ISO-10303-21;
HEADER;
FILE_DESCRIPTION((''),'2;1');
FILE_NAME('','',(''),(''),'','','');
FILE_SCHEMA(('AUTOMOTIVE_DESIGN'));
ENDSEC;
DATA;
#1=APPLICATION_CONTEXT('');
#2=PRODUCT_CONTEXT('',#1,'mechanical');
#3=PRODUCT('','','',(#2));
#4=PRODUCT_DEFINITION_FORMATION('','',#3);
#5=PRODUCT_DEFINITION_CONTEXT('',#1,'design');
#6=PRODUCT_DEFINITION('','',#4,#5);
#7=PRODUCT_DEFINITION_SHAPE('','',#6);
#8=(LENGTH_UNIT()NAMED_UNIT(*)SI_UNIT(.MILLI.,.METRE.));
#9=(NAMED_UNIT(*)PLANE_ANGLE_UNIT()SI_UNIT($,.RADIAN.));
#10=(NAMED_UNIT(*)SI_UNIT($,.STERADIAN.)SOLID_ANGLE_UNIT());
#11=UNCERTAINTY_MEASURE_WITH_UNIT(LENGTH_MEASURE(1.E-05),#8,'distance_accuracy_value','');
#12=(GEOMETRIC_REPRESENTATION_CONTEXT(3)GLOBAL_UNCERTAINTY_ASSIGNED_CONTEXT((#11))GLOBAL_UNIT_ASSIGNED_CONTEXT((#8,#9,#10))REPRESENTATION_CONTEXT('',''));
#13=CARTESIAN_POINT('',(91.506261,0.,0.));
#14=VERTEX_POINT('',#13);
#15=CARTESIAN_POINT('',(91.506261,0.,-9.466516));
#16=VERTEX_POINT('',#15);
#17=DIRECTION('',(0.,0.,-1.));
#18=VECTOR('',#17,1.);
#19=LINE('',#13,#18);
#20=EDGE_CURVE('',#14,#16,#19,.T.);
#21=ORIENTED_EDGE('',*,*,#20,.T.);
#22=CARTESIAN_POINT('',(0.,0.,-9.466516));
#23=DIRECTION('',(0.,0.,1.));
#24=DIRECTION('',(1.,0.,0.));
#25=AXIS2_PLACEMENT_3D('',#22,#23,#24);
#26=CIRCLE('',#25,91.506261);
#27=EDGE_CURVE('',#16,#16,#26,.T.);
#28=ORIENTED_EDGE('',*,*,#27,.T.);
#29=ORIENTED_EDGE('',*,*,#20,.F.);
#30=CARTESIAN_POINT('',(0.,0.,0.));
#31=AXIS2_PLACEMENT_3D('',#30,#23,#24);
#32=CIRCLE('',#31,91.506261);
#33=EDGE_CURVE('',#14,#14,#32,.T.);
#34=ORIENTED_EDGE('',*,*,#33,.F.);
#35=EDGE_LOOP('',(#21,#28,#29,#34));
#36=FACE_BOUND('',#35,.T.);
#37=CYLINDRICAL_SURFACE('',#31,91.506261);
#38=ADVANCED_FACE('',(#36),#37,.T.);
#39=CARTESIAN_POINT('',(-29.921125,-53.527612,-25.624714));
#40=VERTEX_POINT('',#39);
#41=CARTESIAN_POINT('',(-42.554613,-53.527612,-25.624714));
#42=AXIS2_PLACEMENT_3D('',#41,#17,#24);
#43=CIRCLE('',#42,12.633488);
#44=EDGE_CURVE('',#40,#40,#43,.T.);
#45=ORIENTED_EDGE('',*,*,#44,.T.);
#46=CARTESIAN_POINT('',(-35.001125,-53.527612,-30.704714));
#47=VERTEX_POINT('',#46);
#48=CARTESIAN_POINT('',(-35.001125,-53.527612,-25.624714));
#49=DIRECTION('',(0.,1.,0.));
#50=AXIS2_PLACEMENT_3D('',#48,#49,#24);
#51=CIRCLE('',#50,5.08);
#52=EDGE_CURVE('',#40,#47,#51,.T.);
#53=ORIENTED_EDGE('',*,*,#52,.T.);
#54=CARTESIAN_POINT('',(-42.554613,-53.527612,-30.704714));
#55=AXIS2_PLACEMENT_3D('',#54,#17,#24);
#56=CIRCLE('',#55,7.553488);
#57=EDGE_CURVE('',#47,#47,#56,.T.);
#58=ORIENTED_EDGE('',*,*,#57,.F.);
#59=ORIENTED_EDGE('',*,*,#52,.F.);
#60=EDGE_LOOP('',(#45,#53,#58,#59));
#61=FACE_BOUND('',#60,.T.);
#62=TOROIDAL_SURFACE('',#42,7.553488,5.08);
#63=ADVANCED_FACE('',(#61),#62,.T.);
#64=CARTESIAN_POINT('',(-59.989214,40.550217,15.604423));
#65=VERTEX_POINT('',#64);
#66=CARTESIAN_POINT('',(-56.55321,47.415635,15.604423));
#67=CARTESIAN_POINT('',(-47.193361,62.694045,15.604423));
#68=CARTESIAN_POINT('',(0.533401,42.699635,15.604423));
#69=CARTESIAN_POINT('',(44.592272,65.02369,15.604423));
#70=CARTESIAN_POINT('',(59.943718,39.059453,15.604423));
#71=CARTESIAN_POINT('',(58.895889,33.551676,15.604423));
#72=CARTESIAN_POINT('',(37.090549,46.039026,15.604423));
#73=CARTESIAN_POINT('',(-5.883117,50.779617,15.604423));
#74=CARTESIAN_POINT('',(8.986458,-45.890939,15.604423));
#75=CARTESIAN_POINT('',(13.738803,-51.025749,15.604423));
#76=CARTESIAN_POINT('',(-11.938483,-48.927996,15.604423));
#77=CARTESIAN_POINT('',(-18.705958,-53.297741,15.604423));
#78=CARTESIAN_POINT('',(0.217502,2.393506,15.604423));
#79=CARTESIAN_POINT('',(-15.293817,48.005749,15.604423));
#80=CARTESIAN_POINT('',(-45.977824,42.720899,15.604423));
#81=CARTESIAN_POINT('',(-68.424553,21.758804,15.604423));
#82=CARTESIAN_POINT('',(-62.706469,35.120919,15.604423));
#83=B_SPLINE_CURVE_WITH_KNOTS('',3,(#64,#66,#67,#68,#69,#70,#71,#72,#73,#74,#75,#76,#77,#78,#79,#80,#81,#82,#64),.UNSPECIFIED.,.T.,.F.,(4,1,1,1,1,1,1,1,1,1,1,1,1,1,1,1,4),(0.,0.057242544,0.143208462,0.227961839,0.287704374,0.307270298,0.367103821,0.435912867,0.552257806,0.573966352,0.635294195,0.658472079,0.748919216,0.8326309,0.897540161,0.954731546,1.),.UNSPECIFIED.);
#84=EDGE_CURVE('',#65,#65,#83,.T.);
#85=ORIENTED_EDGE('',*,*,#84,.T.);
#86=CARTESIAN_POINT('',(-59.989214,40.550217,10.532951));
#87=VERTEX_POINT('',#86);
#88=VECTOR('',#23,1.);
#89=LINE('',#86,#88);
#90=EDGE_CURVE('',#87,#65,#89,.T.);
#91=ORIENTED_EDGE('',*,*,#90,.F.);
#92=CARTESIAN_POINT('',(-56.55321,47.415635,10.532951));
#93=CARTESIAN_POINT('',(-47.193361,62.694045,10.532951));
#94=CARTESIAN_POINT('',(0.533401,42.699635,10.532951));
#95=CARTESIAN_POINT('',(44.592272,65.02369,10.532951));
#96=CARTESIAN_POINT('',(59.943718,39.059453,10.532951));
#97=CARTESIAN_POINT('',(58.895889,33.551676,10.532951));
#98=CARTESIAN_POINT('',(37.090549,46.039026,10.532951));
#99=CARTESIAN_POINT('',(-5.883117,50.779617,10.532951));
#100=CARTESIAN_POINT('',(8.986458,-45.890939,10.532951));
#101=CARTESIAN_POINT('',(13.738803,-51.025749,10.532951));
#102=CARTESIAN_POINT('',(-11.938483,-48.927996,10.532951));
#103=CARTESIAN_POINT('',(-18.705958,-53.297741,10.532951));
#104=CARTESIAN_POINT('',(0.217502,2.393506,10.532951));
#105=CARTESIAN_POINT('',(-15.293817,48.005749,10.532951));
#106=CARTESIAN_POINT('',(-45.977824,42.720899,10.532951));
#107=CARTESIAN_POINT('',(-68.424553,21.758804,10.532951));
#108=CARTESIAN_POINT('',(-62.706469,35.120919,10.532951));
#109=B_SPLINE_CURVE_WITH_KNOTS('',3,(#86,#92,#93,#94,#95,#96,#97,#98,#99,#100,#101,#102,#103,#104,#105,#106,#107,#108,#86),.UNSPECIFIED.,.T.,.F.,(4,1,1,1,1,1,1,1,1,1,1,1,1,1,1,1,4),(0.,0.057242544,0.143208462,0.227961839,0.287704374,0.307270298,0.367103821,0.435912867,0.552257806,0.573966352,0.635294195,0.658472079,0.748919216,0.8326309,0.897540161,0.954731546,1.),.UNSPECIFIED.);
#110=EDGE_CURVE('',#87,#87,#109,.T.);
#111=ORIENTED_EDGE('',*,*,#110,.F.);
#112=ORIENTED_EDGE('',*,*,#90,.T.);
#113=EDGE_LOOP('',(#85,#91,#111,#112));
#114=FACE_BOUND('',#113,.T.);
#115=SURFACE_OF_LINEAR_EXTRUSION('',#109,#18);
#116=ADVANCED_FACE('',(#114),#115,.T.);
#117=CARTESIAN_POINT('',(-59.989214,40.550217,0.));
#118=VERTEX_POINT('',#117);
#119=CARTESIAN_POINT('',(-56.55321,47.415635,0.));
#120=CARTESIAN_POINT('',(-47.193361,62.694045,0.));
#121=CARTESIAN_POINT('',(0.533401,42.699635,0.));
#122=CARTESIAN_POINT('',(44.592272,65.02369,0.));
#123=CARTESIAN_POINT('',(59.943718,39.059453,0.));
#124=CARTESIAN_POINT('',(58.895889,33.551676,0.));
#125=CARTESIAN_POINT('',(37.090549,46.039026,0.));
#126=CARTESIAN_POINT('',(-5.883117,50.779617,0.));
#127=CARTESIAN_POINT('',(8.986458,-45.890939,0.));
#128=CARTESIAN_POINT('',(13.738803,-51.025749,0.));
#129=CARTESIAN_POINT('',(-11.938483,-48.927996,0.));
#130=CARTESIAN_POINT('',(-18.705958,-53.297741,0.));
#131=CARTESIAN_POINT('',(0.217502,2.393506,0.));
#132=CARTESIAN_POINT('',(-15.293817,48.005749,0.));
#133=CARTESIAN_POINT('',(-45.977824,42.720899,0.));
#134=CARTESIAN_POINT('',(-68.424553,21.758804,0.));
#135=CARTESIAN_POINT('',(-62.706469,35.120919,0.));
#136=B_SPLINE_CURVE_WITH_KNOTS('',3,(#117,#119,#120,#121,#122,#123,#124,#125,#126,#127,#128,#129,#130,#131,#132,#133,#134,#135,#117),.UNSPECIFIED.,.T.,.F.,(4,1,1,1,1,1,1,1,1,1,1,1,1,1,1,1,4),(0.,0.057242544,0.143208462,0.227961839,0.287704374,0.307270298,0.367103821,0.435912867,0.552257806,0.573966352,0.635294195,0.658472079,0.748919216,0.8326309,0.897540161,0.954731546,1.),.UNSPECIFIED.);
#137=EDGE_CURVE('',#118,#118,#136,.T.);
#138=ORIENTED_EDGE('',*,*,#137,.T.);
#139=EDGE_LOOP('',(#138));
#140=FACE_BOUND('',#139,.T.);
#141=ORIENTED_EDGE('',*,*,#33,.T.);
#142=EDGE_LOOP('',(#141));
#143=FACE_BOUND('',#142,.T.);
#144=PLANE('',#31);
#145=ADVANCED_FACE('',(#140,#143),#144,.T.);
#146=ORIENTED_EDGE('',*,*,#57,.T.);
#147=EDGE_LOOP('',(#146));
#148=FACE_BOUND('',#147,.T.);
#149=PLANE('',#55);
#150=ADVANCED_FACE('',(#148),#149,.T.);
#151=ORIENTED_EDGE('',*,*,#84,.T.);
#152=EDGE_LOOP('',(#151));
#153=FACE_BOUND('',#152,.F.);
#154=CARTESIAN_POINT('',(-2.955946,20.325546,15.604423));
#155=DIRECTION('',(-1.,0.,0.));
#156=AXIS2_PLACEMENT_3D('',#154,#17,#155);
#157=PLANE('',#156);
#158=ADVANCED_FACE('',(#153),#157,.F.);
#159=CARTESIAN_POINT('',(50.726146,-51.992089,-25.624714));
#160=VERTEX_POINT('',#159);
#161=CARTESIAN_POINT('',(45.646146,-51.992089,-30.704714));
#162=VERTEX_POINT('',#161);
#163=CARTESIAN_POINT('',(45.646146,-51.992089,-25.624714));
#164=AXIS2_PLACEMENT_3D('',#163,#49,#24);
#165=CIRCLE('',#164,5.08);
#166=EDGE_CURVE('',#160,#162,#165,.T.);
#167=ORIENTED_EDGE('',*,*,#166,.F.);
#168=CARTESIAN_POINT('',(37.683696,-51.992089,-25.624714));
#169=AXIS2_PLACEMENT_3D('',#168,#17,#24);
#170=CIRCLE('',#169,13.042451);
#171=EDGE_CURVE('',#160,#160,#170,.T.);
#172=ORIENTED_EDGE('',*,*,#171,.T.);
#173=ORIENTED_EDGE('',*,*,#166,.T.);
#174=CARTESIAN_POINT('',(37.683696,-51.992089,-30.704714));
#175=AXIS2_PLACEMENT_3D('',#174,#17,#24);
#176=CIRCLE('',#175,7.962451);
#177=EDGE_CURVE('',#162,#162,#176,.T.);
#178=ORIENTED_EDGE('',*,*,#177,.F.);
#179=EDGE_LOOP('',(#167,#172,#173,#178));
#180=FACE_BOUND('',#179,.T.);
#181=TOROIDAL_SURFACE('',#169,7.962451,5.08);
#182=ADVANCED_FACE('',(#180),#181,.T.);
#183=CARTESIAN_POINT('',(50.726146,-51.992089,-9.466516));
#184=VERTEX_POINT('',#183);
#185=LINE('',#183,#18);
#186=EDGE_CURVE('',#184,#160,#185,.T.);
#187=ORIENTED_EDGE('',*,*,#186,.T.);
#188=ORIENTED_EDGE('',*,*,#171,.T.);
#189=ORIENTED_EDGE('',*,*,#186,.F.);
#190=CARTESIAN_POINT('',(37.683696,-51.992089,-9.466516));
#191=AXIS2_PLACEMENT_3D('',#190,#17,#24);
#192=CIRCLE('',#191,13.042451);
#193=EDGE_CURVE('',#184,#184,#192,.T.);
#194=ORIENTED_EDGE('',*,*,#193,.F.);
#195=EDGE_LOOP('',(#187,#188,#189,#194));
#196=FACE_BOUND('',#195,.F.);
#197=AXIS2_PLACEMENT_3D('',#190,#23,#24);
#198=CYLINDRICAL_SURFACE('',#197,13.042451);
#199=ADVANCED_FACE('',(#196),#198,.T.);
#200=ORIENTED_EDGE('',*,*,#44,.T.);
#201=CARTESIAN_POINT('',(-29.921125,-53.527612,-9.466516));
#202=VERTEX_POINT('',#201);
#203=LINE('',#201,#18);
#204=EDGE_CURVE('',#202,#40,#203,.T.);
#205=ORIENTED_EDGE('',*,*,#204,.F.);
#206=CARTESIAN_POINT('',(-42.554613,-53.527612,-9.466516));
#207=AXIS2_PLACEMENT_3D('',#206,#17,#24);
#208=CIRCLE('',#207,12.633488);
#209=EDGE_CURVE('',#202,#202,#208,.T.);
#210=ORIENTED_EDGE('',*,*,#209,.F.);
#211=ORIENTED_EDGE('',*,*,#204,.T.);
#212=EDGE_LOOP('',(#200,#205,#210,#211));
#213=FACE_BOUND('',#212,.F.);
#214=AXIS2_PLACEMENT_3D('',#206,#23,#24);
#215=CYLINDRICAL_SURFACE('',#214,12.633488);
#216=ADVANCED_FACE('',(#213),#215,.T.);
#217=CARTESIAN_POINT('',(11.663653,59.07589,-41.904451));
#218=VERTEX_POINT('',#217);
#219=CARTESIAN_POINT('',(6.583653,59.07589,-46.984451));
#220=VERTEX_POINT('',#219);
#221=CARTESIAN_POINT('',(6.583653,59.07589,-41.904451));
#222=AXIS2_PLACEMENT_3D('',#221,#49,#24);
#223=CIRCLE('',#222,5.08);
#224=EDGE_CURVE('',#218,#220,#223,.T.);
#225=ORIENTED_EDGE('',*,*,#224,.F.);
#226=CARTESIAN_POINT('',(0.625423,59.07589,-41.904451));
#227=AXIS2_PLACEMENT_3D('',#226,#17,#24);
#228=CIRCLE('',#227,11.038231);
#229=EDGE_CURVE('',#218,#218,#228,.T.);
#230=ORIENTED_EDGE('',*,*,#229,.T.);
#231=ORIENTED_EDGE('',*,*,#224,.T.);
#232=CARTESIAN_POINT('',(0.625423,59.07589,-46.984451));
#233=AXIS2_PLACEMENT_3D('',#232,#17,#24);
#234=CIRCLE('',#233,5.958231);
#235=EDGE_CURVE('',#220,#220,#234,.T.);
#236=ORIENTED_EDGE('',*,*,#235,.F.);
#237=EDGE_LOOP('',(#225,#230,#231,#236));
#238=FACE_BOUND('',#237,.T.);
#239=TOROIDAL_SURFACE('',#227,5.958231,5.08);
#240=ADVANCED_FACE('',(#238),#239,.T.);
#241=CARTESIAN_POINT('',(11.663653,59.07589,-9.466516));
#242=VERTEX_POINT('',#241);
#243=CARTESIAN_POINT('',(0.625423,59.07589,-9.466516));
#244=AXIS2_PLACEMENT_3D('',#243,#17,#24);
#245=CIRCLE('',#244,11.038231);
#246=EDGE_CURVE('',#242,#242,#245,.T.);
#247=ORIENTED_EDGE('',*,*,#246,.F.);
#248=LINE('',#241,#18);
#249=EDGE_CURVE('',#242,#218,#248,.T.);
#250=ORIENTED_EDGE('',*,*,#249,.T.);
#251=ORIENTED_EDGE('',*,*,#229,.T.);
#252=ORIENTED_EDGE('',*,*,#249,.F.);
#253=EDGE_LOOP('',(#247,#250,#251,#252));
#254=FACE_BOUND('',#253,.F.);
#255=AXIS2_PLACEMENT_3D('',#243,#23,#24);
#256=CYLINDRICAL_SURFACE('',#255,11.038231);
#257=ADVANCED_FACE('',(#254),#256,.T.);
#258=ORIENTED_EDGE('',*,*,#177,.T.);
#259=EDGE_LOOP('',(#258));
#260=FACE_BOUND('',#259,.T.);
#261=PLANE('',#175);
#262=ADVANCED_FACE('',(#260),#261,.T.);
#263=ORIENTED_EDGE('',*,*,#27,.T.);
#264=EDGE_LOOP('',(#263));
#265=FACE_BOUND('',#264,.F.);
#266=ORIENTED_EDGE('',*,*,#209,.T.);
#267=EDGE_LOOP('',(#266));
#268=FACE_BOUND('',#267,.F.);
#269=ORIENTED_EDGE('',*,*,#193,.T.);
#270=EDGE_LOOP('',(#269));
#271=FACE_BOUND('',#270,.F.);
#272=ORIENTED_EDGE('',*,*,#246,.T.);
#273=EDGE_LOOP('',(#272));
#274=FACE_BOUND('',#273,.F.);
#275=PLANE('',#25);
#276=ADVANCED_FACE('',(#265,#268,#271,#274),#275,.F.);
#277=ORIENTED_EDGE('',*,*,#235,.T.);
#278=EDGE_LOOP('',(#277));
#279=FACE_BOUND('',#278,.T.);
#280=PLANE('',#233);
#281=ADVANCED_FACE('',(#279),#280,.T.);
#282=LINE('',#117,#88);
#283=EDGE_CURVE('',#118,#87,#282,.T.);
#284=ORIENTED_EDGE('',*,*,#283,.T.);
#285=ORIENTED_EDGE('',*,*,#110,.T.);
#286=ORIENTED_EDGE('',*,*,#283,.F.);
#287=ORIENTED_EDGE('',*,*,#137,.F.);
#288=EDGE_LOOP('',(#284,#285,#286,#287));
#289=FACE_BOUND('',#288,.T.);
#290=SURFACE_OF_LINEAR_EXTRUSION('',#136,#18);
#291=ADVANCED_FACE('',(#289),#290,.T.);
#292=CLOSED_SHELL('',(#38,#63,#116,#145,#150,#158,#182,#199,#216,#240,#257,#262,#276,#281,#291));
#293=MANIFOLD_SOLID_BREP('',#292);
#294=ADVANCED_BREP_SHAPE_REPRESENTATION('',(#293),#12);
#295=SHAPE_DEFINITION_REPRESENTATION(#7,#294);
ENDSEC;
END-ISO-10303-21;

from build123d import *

# Parameters (mm, degrees)
F1_DEPTH = 10.5329509825
F2_R     = 91.5062605332
F3_DEPTH = 9.466515854
F4_DEPTH = 5.0714723766
F5_R     = 11.0382307201
F6_DEPTH = 37.5179350376
F8_R     = 13.0424508939
F8_R_2   = 12.6334883402
F9_DEPTH = 21.2381985039
F10_R    = 5.08
F11_R    = 5.08


with BuildPart() as f1:
    # F0 (on Top) → F1 (new body)
    with BuildSketch(Plane.XY):
        with BuildLine():
            add(Edge.make_bspline(
                [(-59.9892139435, 40.5502170324), (-56.5532096118, 47.4156346946), (-47.1933614586, 62.6940450072), (0.5334010504, 42.6996354598), (44.5922717573, 65.0236896385), (59.9437177684, 39.0594527581), (58.8958892551, 33.5516760647), (37.0905492147, 46.0390256171), (-5.8831168013, 50.7796165912), (8.9864579341, -45.8909387515), (13.7388025572, -51.0257491648), (-11.9384832079, -48.9279963012), (-18.7059577987, -53.2977414637), (0.2175021026, 2.3935056932), (-15.2938172873, 48.005749038), (-45.9778242059, 42.7208988393), (-68.4245527845, 21.7588044935), (-62.7064691925, 35.1209188192), (-59.9892139435, 40.5502170324)],
                knots=[0, 0, 0, 0, 0.0572425443, 0.1432084624, 0.227961839, 0.2877043741, 0.3072702977, 0.3671038211, 0.4359128669, 0.5522578056, 0.5739663519, 0.6352941949, 0.6584720786, 0.7489192164, 0.8326309003, 0.8975401611, 0.954731546, 1, 1, 1, 1], degree=3))
        make_face()
    extrude(amount=F1_DEPTH)

    # F2 (on Top) → F3 (join)
    with BuildSketch(Plane.XY):
        Circle(F2_R)
    extrude(amount=-F3_DEPTH)

    # F4 (add): a face of the model
    f4_faces = [f1.faces().sort_by_distance(p)[0] for p in [
        (-3.5167832861, 18.4648036017, 10.5329509825),
    ]]
    extrude(f4_faces, amount=F4_DEPTH)

    # F5 (on face) → F6 (join)
    with BuildSketch(Plane(origin=(0, 0, -9.466515854), x_dir=(1, 0, 0), z_dir=(0, 0, -1))):
        with Locations((0.6254226909, -59.0758901089)):
            Circle(F5_R)
    extrude(amount=F6_DEPTH)

    # F8 (on face) → F9 (join)
    with BuildSketch(Plane(origin=(0, 0, -9.466515854), x_dir=(1, 0, 0), z_dir=(0, 0, -1))):
        with Locations((37.6836955547, 51.9920885563)):
            Circle(F8_R)
        with Locations((-42.5546132028, 53.5276122391)):
            Circle(F8_R_2)
    extrude(amount=F9_DEPTH)

    # F10
    f10_edges = [f1.edges().sort_by_distance(p)[0] for p in [
        (24.641245, -51.992089, -30.704714),
        (-55.188102, -53.527612, -30.704714),
    ]]
    fillet(f10_edges, radius=F10_R)

    # F11
    f11_edges = [f1.edges().sort_by_distance(p)[0] for p in [
        (-10.412808, 59.07589, -46.984451),
    ]]
    fillet(f11_edges, radius=F11_R)


solid = f1.part
